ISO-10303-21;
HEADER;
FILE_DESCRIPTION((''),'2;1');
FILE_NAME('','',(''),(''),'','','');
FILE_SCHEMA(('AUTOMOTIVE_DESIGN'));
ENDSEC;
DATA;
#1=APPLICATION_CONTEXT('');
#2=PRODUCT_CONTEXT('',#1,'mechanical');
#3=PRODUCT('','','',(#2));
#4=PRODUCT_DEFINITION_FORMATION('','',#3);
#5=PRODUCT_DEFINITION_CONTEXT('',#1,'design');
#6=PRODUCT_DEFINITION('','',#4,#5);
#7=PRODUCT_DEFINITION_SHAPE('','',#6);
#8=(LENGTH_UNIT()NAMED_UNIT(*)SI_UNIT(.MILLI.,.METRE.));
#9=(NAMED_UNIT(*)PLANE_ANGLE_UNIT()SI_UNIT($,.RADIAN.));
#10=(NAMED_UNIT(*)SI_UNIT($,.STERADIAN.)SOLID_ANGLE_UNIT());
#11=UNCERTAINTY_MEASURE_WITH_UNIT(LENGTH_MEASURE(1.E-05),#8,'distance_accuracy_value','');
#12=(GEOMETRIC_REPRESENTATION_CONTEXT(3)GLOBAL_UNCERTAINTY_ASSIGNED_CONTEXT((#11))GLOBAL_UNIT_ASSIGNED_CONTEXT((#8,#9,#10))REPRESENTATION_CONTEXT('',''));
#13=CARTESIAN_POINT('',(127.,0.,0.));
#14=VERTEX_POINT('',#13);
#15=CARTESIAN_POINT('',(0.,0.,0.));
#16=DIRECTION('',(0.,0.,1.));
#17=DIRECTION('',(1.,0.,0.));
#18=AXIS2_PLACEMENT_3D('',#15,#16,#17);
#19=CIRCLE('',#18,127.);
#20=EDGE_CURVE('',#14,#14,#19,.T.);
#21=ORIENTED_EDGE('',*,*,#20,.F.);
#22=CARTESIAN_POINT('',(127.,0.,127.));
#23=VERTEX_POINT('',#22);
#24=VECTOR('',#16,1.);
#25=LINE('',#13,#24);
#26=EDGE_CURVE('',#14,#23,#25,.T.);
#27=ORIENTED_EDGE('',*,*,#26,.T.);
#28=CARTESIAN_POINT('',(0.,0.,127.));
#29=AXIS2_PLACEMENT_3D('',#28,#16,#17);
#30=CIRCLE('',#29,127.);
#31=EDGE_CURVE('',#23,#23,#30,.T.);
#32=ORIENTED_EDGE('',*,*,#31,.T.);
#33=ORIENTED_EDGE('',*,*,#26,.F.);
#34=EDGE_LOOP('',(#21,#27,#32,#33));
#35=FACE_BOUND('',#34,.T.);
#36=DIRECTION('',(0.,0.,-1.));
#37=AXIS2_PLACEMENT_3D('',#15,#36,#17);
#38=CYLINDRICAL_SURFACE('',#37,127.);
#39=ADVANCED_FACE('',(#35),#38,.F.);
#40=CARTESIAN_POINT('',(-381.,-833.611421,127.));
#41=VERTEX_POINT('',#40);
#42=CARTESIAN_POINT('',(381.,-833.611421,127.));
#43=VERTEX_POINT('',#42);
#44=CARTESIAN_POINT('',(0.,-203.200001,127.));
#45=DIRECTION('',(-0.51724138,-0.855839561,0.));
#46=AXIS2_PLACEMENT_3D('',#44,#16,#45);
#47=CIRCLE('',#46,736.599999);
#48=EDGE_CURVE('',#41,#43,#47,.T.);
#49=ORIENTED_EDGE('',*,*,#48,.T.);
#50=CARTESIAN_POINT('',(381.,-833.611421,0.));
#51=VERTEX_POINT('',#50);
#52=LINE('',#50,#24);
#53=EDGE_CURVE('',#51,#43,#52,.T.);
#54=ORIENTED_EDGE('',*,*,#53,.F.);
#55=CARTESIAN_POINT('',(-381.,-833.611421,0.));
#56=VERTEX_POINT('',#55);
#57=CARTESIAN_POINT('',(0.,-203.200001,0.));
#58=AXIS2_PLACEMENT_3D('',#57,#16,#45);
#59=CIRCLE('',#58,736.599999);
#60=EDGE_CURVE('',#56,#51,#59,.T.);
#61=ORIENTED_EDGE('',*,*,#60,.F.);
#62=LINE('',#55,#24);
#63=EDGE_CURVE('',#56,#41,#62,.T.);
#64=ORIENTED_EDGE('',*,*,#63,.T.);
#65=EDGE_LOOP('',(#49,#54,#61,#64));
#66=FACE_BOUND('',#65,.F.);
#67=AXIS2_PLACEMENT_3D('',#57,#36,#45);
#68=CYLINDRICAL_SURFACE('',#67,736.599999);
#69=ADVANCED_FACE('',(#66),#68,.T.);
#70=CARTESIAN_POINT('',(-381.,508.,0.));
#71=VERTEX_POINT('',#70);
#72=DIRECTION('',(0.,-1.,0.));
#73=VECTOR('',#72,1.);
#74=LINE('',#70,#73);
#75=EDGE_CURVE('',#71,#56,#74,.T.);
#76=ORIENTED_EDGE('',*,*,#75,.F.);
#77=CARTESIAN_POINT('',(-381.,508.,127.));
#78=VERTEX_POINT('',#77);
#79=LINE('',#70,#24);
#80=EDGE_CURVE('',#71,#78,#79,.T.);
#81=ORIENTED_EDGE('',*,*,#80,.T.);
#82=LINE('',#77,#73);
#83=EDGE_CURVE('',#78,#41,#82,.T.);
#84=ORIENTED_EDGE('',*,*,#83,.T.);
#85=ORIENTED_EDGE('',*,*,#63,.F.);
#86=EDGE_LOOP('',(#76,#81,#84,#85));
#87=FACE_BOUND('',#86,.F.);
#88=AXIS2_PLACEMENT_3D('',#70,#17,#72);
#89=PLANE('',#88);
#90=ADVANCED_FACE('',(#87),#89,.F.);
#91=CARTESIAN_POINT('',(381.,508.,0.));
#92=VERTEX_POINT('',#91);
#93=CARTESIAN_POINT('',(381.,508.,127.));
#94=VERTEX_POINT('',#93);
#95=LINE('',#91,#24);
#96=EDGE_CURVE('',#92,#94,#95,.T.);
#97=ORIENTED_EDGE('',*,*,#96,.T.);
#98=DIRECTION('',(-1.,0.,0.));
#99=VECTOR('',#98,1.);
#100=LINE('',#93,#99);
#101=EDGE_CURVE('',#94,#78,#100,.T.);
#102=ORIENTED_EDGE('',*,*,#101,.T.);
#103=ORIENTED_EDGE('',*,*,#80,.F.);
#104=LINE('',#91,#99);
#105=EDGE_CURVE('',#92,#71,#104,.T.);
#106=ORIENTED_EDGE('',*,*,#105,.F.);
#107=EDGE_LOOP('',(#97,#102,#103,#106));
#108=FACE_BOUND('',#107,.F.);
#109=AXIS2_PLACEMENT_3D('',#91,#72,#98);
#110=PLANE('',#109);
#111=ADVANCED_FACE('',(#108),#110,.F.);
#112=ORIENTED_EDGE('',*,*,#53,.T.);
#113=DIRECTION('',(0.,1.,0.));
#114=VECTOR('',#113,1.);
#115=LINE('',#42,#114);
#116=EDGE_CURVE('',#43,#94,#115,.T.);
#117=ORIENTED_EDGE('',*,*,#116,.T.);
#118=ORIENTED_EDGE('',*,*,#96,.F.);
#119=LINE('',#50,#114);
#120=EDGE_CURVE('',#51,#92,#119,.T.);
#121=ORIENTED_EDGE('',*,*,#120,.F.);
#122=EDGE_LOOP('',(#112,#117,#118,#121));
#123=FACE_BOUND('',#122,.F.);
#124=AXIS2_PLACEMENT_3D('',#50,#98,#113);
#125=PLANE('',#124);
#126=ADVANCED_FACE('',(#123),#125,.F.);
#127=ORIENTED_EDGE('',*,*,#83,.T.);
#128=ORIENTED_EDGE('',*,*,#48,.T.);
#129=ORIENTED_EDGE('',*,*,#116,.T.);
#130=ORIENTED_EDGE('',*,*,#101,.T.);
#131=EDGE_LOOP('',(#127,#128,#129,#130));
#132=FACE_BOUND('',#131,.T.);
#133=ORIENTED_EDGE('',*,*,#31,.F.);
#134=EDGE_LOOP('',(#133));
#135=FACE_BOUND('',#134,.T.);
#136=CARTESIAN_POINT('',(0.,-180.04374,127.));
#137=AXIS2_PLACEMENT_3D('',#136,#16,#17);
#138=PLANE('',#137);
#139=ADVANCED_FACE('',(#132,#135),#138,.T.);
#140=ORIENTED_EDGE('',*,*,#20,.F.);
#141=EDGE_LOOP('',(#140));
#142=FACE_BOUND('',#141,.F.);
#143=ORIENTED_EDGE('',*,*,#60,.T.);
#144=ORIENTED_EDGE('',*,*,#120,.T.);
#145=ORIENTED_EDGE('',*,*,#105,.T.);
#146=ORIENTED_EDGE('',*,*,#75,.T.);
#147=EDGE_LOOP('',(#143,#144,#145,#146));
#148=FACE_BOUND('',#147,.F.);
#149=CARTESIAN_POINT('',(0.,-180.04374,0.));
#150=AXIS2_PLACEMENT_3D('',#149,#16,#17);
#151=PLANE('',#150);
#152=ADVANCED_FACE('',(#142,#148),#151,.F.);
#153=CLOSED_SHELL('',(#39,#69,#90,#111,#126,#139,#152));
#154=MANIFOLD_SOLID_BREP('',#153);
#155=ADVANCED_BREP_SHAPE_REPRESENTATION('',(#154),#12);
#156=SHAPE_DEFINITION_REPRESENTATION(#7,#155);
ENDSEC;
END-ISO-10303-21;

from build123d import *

# Parameters (mm, degrees)
F0_R     = 127
F1_DEPTH = 127


with BuildPart() as f1:
    # F0 (on Top) → F1 (new body)
    with BuildSketch(Plane.XY):
        with BuildLine():
            Line((381, 0), (381, 508))
            Line((381, 508), (-381, 508))
            Line((-381, 508), (-381, 0))
            Line((-381, 0), (-381, -833.611421))
            ThreePointArc((-381, -833.611421), (0, -939.8), (381, -833.611421))
            Line((381, -833.611421), (381, 0))
        make_face()
        Circle(F0_R, mode=Mode.SUBTRACT)
    extrude(amount=F1_DEPTH)


solid = f1.part
